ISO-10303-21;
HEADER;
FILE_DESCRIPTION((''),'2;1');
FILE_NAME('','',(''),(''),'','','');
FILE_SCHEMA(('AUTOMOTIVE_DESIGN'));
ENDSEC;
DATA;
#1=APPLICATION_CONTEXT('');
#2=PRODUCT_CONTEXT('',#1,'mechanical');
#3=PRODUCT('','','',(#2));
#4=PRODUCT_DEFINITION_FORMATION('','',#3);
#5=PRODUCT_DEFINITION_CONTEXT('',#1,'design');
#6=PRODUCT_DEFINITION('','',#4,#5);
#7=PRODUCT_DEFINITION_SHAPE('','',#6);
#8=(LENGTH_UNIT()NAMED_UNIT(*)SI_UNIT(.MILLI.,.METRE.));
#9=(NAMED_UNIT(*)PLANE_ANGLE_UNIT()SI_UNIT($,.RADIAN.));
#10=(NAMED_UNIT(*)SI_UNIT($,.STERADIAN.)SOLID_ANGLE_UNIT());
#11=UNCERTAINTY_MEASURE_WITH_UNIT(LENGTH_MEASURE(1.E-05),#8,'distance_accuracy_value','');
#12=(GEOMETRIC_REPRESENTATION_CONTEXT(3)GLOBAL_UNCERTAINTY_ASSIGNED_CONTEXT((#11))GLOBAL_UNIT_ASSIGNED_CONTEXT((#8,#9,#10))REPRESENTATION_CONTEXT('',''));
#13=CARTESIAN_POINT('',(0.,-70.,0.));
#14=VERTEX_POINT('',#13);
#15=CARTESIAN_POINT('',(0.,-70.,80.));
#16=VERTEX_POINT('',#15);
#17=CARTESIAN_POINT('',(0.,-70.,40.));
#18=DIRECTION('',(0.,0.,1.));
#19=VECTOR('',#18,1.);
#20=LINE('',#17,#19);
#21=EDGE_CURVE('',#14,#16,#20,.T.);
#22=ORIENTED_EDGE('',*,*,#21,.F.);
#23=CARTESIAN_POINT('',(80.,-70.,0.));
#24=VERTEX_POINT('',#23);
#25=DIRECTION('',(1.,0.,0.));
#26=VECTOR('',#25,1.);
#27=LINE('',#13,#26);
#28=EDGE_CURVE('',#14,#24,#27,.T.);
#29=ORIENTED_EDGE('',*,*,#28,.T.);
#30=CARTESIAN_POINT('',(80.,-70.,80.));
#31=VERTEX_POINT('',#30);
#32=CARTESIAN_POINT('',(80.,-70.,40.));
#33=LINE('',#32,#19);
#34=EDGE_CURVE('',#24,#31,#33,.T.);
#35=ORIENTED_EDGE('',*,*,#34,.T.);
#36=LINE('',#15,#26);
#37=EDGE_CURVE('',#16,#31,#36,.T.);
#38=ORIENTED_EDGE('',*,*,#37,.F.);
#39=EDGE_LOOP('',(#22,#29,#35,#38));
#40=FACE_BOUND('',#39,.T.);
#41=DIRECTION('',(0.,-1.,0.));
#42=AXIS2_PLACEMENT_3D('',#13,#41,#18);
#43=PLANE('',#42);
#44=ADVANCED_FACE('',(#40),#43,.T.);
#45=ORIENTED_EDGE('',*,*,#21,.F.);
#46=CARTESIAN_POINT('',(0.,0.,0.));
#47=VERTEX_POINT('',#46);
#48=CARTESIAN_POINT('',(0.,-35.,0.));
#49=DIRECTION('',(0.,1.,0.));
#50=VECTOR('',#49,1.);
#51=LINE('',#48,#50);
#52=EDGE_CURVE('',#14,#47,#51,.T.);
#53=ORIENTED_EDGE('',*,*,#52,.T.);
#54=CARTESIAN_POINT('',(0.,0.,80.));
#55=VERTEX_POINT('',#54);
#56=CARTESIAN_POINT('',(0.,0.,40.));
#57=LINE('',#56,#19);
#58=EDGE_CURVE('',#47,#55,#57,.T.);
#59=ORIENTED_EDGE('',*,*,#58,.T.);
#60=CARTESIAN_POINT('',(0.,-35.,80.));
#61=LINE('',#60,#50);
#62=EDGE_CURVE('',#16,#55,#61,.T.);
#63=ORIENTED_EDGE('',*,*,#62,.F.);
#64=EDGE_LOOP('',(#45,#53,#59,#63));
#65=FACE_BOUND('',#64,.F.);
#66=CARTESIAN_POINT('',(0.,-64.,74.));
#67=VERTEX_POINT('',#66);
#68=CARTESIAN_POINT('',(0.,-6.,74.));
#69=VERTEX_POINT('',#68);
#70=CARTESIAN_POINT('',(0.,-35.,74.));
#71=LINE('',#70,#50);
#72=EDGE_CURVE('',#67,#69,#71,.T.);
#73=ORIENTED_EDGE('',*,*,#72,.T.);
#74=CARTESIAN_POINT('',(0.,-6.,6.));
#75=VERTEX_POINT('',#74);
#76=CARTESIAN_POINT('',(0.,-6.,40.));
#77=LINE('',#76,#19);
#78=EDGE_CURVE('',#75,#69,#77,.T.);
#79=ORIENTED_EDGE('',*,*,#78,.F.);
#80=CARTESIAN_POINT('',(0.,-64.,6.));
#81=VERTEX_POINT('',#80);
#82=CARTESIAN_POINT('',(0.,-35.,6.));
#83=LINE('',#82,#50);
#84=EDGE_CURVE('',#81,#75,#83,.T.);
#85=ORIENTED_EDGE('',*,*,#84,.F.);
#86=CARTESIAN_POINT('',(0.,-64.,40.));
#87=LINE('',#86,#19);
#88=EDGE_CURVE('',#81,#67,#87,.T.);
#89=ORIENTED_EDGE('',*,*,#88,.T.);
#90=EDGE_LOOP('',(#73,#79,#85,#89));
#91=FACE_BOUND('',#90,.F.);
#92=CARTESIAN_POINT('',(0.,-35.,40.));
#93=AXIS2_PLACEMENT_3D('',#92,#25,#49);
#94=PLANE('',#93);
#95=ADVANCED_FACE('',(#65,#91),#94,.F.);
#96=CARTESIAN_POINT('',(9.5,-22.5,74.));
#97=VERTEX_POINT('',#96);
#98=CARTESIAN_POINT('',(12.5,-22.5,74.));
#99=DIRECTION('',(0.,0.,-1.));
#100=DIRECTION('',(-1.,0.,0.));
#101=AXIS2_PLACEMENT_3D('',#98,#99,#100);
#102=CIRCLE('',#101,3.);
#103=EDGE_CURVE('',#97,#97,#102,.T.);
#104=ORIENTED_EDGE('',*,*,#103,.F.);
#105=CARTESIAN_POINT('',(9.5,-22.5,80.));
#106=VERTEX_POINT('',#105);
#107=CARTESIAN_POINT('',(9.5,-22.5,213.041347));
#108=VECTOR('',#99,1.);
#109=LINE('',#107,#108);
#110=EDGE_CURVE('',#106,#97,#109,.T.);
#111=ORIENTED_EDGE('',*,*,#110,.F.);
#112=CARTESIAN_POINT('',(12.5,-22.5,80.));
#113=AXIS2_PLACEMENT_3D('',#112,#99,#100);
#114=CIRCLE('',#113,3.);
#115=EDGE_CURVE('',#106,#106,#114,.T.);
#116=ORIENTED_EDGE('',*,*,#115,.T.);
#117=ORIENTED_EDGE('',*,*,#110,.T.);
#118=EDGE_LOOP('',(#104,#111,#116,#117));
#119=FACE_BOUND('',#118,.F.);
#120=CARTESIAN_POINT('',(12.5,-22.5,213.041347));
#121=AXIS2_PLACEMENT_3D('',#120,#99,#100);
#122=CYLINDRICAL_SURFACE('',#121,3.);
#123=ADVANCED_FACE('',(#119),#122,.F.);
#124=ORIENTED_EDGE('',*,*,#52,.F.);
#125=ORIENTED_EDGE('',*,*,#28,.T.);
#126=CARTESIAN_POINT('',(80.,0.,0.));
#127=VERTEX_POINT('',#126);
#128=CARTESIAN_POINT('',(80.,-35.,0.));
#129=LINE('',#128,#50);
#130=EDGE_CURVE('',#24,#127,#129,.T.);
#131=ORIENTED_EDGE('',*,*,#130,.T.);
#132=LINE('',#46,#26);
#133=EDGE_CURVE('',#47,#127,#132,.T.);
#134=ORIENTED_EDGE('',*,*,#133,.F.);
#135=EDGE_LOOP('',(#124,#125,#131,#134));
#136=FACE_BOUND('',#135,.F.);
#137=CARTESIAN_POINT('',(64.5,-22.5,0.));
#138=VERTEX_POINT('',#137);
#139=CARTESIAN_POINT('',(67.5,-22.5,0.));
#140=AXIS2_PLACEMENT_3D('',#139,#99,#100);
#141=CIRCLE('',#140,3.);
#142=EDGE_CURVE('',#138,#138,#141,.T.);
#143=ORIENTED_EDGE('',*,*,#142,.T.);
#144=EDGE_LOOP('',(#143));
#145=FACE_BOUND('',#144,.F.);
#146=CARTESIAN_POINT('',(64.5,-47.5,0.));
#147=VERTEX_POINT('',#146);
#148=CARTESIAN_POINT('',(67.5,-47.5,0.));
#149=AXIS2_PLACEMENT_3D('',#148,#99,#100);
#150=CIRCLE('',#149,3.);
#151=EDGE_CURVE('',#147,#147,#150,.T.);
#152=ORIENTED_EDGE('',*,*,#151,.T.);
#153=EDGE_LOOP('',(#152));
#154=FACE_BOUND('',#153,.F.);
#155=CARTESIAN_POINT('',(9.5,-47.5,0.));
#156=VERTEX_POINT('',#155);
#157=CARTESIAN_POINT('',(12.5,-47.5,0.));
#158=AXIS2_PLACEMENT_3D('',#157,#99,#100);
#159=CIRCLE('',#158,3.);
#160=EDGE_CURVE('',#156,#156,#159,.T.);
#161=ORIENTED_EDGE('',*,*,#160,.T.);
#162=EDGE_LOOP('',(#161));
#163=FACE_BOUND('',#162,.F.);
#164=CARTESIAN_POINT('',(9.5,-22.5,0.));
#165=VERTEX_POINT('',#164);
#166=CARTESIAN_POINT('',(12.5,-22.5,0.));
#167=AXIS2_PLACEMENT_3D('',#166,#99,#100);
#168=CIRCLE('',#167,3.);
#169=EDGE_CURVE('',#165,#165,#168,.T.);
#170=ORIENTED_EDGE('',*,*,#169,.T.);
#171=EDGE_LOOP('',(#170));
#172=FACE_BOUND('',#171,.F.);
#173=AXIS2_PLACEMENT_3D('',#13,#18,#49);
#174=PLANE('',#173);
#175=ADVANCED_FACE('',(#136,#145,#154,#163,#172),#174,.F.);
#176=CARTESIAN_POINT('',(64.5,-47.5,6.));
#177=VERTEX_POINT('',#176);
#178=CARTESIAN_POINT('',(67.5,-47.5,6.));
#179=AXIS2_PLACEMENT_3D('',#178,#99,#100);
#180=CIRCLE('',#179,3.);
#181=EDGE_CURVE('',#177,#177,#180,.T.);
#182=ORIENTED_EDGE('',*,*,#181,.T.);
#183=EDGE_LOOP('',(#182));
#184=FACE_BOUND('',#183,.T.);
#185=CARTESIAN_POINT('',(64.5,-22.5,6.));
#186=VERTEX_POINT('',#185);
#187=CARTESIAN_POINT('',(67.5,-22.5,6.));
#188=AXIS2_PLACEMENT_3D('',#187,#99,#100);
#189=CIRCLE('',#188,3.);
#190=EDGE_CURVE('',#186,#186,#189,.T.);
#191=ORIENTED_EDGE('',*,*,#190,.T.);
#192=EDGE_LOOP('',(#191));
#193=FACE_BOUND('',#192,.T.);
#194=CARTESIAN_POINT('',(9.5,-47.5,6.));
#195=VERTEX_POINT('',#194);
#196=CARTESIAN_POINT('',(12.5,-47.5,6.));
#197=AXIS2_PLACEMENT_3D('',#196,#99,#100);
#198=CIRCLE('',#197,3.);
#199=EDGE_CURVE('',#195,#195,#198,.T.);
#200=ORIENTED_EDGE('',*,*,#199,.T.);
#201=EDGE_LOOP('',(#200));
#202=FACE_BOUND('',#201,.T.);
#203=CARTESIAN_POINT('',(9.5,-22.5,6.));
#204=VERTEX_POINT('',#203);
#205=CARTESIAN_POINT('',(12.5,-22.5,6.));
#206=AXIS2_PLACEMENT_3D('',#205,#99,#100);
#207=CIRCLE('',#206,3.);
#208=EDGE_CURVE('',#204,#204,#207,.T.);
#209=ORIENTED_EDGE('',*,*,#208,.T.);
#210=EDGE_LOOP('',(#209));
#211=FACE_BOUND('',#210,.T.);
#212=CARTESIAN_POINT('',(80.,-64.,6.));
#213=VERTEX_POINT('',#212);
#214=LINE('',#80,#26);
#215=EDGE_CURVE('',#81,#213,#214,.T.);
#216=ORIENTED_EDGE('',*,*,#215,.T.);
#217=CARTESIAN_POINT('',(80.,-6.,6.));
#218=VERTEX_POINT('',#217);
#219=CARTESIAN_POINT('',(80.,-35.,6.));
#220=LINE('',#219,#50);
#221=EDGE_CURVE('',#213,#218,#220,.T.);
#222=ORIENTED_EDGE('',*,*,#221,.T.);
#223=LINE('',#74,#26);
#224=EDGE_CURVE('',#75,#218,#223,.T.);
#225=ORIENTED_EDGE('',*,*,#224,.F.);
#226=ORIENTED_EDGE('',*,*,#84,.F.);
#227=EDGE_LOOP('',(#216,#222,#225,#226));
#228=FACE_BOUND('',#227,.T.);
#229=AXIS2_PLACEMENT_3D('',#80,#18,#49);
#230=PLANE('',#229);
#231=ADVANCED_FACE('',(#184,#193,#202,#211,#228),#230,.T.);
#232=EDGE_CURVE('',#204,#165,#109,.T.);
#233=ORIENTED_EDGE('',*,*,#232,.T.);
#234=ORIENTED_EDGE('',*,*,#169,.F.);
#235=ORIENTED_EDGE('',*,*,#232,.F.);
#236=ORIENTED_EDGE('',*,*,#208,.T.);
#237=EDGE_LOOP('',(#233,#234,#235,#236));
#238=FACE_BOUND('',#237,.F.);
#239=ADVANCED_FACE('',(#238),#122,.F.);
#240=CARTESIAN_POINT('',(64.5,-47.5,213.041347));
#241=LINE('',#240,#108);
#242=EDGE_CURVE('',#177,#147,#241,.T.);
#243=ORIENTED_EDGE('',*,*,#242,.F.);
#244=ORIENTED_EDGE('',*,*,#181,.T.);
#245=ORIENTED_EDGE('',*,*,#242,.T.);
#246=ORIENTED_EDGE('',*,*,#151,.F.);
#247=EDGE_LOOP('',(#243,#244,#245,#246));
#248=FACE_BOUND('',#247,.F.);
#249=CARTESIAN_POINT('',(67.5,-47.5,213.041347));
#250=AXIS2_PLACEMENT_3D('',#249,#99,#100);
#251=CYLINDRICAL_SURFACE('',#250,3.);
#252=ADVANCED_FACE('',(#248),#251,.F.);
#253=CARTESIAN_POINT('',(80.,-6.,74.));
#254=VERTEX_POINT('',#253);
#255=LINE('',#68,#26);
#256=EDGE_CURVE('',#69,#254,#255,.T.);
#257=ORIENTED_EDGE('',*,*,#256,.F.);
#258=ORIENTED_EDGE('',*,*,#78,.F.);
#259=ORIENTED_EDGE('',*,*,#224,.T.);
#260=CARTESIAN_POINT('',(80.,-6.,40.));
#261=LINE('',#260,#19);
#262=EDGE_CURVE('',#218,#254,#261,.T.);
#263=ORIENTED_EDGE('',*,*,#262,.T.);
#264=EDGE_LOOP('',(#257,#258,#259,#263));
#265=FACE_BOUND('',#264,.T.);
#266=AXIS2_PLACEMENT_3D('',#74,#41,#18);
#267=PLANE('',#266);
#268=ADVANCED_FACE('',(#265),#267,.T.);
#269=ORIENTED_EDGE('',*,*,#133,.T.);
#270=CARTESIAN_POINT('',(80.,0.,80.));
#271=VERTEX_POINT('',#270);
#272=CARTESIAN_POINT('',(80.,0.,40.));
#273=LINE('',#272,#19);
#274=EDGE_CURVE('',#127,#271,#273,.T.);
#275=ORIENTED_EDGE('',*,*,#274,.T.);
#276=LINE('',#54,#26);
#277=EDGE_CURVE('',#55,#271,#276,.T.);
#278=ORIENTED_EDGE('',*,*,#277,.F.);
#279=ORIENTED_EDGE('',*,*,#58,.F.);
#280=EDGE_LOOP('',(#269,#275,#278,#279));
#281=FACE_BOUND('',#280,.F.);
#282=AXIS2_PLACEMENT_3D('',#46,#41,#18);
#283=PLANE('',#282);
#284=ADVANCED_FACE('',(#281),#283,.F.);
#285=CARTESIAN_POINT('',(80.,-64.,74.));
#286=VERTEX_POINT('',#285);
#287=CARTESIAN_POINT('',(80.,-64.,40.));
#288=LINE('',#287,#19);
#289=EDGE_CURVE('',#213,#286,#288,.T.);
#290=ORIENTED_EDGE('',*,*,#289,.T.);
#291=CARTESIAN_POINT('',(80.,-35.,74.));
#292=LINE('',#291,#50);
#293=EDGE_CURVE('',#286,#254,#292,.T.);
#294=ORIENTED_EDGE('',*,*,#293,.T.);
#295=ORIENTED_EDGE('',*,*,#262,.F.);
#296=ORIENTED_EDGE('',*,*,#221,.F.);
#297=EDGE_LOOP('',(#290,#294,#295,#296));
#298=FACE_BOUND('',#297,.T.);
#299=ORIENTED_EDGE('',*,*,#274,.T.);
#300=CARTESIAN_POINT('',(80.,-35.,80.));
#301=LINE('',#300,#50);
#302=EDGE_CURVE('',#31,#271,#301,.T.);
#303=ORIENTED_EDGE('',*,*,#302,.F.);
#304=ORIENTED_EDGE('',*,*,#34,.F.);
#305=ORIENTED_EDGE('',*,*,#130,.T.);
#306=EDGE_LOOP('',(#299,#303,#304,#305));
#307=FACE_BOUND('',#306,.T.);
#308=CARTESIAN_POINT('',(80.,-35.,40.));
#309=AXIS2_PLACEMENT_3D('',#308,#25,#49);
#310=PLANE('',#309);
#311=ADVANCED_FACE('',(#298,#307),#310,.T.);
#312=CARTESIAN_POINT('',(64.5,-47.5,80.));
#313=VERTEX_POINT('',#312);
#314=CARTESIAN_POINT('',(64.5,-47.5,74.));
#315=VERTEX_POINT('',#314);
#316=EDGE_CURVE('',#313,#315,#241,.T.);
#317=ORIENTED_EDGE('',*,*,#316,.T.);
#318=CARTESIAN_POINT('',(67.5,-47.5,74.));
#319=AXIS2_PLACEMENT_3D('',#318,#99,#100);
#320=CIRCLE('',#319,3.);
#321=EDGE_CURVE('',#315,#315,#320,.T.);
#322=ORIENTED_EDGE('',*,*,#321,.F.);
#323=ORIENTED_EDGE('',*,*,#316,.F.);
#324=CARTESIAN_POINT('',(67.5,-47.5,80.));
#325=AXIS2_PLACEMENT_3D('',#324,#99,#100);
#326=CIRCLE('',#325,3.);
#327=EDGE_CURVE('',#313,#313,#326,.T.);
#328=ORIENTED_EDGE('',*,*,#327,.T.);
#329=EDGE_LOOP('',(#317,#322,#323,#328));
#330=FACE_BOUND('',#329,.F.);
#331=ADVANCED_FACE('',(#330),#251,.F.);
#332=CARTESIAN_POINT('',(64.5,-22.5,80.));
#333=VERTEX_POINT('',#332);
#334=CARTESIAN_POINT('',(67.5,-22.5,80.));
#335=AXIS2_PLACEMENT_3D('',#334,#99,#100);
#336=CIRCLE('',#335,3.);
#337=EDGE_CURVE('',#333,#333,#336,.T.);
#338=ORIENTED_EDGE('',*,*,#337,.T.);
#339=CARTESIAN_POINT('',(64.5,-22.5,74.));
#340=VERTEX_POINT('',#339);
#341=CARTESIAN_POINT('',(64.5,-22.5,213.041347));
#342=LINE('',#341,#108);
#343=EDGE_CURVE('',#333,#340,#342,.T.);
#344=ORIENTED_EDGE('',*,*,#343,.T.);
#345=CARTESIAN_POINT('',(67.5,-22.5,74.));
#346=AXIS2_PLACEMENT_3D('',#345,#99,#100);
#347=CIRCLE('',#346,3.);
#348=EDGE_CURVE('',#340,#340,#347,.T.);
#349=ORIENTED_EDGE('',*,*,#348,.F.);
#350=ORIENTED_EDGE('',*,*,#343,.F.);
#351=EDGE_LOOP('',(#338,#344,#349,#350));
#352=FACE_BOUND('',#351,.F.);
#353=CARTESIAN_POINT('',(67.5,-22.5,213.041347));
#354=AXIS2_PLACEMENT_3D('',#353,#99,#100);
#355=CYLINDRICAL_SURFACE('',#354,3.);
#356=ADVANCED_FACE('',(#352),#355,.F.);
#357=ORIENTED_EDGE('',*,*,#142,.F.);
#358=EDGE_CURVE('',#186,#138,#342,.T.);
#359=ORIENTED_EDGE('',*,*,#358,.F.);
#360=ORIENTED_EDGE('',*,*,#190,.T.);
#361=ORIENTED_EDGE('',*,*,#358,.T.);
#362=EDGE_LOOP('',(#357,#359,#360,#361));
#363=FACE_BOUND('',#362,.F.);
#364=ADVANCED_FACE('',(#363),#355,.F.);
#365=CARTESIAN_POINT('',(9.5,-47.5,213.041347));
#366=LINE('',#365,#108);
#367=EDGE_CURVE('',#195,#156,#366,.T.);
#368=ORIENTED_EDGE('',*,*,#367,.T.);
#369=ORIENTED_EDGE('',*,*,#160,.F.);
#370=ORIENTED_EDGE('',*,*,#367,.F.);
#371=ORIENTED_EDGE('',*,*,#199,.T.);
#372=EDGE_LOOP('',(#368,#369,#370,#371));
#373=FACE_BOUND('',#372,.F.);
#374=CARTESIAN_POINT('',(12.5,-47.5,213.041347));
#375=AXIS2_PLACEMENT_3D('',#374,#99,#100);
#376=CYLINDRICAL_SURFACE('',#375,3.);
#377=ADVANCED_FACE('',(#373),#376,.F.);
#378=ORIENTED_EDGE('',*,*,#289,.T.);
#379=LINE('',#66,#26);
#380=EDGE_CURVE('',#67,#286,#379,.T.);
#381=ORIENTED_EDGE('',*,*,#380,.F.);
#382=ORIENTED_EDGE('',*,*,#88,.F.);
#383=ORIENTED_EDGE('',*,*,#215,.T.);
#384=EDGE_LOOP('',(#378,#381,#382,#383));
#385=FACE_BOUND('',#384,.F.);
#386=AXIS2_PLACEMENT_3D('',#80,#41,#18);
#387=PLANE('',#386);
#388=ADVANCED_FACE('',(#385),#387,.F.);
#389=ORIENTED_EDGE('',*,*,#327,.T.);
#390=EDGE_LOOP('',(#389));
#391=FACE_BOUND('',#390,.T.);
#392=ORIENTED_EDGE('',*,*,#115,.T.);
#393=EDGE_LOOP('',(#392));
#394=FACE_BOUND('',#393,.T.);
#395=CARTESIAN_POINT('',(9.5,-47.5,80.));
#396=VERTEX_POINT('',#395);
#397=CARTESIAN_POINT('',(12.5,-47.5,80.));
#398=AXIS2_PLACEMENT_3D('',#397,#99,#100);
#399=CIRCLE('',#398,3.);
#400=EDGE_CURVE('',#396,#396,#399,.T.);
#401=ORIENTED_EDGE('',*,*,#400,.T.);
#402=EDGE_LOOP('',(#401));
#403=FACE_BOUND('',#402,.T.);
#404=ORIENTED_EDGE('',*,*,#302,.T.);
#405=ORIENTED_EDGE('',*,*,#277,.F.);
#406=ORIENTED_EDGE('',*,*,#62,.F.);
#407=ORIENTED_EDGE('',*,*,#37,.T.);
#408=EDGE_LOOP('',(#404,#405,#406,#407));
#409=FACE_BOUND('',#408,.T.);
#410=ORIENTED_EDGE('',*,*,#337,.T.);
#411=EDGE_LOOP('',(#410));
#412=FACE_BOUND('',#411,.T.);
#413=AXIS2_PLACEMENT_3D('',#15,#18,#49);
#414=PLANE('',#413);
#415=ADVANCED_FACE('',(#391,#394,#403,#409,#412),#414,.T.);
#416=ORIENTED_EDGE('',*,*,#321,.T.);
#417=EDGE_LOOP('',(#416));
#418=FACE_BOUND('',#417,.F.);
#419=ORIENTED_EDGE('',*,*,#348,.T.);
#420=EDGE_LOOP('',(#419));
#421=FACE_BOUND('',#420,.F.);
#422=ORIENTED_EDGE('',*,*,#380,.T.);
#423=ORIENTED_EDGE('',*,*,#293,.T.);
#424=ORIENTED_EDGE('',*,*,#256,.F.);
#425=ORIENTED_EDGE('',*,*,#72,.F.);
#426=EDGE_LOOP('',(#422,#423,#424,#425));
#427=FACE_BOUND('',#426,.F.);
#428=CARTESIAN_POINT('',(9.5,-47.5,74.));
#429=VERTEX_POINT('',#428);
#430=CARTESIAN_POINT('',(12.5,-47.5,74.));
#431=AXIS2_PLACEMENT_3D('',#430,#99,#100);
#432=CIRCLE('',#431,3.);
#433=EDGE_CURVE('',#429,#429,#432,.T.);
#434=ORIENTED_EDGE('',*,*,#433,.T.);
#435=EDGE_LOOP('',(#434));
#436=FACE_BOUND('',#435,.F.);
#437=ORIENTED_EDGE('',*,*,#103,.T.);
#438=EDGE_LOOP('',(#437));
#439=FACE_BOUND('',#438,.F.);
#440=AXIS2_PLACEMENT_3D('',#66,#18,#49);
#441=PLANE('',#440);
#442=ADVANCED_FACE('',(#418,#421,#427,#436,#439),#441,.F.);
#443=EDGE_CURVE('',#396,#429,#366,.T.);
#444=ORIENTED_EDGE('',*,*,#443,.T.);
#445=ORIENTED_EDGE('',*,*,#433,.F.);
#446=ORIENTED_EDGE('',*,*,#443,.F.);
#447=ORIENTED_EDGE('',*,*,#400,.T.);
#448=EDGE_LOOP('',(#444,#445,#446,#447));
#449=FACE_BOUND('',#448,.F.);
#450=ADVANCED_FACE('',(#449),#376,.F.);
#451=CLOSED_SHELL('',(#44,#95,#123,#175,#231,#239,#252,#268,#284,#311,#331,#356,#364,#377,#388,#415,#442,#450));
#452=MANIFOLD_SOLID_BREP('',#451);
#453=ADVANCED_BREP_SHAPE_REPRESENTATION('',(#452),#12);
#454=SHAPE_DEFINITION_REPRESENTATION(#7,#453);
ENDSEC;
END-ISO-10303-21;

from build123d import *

# Parameters (mm, degrees)
F0_W     = 70
F0_H     = 80
F0_W_2   = 58
F0_H_2   = 68
F1_DEPTH = 80
F3_D     = 6


with BuildPart() as f1:
    # F0 (on Right) → F1 (new body)
    with BuildSketch(Plane.YZ):
        with Locations((-35, 40)):
            Rectangle(F0_W, F0_H)
        with Locations((-35, 40)):
            Rectangle(F0_W_2, F0_H_2, mode=Mode.SUBTRACT)
    extrude(amount=F1_DEPTH)

    # F3 (through all)
    with Locations(Plane.XY.offset(80)):
        with Locations((12.5, -22.5), (67.5, -22.5), (67.5, -47.5), (12.5, -47.5)):
            Hole(F3_D / 2)


solid = f1.part
